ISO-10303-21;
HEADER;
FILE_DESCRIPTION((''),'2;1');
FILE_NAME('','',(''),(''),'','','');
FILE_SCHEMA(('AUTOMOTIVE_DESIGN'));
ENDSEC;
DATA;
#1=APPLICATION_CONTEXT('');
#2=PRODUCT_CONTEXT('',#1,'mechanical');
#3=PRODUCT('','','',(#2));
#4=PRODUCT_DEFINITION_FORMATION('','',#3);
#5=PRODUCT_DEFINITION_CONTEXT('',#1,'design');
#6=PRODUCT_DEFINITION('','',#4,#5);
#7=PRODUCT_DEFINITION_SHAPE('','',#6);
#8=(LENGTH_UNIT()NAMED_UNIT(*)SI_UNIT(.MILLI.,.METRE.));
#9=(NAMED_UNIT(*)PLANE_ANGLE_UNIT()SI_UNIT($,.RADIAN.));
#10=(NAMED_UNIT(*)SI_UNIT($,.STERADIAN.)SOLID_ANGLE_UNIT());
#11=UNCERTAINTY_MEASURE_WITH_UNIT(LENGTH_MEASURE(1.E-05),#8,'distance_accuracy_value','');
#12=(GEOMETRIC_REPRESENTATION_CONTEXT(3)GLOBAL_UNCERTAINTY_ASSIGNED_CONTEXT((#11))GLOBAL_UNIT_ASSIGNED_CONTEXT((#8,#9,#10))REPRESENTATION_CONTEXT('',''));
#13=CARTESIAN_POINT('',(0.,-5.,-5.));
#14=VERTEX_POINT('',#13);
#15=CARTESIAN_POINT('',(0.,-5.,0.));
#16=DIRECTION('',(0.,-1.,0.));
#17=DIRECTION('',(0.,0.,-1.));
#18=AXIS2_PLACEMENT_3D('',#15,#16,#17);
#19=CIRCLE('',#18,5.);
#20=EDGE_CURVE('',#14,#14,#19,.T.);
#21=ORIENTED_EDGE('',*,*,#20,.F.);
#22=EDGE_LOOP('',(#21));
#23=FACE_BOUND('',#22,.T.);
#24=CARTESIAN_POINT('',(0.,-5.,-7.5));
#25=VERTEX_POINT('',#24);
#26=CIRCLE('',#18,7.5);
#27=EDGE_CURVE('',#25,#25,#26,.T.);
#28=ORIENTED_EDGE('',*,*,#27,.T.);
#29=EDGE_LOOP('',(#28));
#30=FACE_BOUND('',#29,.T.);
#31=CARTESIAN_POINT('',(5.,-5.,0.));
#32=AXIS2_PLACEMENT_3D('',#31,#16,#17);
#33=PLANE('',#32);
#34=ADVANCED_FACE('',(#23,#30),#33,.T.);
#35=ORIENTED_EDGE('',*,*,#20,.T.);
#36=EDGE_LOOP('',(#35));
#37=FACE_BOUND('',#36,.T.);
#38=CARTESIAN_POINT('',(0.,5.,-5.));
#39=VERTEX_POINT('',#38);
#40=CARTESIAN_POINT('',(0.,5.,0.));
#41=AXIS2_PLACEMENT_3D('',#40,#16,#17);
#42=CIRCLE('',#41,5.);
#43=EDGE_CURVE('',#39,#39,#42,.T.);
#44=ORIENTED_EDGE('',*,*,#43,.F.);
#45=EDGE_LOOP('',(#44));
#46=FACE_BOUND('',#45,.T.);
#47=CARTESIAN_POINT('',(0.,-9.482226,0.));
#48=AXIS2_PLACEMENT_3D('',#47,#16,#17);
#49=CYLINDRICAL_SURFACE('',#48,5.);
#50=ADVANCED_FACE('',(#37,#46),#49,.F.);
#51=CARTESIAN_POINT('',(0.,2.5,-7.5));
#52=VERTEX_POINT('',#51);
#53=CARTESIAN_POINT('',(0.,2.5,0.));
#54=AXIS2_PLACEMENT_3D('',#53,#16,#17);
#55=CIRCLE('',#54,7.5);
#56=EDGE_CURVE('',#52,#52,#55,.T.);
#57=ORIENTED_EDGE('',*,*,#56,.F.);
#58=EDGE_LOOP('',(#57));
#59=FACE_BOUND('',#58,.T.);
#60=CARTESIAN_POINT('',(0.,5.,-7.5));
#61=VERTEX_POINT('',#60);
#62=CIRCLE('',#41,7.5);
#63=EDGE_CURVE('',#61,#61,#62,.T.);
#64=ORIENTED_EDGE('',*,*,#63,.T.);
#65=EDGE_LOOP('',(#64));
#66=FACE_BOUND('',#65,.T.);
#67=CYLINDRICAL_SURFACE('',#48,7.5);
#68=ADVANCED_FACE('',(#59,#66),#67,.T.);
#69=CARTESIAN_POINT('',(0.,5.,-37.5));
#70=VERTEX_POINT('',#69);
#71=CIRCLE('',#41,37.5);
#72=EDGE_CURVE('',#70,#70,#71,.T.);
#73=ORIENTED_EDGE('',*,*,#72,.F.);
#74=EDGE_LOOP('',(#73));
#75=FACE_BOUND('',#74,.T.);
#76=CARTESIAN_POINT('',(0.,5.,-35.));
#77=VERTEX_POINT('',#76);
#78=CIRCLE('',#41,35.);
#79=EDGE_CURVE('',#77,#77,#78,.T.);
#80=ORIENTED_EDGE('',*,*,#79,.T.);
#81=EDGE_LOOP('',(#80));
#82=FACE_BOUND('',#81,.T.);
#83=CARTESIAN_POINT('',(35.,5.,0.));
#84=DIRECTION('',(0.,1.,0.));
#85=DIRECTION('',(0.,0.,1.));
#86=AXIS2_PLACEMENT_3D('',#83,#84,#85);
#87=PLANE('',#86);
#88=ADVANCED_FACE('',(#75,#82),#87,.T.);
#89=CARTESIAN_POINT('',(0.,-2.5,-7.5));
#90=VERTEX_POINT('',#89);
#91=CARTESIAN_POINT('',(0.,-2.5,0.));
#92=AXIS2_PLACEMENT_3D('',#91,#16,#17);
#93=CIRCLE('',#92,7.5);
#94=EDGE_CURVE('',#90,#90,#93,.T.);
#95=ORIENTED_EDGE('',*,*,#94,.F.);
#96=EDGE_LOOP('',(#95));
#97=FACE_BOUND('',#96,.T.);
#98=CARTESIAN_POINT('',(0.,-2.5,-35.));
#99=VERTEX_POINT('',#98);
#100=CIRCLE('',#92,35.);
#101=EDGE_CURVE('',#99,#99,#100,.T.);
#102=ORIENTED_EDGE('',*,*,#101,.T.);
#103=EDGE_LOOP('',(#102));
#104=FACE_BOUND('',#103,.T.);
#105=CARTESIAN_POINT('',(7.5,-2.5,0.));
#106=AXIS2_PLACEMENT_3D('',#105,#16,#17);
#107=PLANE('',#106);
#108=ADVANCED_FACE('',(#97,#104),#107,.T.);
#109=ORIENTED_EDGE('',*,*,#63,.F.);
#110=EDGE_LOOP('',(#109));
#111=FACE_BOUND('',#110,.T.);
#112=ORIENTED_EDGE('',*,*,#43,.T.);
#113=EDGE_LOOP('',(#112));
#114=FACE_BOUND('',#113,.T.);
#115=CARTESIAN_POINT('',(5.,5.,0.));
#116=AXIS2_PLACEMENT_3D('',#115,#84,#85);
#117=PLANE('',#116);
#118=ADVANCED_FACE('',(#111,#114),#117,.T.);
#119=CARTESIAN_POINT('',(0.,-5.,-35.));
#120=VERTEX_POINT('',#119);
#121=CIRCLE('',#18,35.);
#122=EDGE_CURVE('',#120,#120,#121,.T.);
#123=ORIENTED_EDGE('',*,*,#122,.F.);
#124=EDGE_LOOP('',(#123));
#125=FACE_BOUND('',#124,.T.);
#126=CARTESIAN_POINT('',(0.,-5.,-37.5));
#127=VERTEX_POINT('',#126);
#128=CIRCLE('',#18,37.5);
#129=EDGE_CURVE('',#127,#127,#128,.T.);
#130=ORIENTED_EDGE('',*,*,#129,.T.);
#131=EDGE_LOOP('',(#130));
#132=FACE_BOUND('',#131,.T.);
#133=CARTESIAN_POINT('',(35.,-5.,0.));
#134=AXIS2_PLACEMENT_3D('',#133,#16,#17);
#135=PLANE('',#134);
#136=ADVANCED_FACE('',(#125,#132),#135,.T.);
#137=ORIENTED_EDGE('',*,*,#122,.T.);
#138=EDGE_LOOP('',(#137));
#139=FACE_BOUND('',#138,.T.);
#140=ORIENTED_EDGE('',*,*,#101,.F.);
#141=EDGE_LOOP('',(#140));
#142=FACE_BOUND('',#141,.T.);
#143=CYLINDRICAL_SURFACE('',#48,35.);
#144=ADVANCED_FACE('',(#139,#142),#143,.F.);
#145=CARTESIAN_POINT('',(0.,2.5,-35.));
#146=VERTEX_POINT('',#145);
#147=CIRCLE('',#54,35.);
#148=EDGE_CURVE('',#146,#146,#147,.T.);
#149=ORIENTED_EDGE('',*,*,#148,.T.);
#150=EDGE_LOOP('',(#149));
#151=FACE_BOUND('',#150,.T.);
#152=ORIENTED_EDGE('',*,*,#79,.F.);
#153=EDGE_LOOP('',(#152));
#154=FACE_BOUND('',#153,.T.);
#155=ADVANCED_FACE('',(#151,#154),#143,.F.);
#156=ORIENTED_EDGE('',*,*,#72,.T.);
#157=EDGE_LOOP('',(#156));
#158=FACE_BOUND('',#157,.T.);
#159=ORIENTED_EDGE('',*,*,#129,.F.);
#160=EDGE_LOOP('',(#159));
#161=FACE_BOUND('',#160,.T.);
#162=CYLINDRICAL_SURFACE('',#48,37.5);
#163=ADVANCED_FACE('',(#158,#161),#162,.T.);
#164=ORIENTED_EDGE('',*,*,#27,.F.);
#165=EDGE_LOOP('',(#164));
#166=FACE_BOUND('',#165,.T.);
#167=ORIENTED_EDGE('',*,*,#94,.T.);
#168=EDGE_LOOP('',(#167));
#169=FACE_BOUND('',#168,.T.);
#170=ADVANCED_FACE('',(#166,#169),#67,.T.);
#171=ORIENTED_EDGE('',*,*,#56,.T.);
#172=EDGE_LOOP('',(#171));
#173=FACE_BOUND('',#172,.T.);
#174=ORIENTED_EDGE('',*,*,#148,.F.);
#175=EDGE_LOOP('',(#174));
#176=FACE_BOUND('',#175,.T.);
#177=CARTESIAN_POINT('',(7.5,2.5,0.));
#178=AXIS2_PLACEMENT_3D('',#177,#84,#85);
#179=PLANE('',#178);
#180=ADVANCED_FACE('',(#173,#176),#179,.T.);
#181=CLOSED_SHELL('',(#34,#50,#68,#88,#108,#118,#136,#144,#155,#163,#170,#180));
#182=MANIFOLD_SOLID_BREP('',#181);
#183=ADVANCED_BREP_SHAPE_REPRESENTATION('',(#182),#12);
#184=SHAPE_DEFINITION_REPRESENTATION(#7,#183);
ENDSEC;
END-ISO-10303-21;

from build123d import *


with BuildPart() as part:
    # Sketch1 → Revolve1 (revolve)
    with BuildSketch(Plane.XY, mode=Mode.PRIVATE) as revolve1_sk:
        Polygon((5, 5), (7.5, 5), (7.5, 2.5), (35, 2.5), (35, 5), (37.5, 5), (37.5, -5), (35, -5), (35, -2.5), (7.5, -2.5), (7.5, -5), (5, -5), align=None)
    revolve(revolve1_sk.sketch.rotate(Axis((0, -9.482225896, 0), (0, 1, 0)), 90), axis=Axis((0, -9.482225896, 0), (0, 1, 0)))


solid = part.part
